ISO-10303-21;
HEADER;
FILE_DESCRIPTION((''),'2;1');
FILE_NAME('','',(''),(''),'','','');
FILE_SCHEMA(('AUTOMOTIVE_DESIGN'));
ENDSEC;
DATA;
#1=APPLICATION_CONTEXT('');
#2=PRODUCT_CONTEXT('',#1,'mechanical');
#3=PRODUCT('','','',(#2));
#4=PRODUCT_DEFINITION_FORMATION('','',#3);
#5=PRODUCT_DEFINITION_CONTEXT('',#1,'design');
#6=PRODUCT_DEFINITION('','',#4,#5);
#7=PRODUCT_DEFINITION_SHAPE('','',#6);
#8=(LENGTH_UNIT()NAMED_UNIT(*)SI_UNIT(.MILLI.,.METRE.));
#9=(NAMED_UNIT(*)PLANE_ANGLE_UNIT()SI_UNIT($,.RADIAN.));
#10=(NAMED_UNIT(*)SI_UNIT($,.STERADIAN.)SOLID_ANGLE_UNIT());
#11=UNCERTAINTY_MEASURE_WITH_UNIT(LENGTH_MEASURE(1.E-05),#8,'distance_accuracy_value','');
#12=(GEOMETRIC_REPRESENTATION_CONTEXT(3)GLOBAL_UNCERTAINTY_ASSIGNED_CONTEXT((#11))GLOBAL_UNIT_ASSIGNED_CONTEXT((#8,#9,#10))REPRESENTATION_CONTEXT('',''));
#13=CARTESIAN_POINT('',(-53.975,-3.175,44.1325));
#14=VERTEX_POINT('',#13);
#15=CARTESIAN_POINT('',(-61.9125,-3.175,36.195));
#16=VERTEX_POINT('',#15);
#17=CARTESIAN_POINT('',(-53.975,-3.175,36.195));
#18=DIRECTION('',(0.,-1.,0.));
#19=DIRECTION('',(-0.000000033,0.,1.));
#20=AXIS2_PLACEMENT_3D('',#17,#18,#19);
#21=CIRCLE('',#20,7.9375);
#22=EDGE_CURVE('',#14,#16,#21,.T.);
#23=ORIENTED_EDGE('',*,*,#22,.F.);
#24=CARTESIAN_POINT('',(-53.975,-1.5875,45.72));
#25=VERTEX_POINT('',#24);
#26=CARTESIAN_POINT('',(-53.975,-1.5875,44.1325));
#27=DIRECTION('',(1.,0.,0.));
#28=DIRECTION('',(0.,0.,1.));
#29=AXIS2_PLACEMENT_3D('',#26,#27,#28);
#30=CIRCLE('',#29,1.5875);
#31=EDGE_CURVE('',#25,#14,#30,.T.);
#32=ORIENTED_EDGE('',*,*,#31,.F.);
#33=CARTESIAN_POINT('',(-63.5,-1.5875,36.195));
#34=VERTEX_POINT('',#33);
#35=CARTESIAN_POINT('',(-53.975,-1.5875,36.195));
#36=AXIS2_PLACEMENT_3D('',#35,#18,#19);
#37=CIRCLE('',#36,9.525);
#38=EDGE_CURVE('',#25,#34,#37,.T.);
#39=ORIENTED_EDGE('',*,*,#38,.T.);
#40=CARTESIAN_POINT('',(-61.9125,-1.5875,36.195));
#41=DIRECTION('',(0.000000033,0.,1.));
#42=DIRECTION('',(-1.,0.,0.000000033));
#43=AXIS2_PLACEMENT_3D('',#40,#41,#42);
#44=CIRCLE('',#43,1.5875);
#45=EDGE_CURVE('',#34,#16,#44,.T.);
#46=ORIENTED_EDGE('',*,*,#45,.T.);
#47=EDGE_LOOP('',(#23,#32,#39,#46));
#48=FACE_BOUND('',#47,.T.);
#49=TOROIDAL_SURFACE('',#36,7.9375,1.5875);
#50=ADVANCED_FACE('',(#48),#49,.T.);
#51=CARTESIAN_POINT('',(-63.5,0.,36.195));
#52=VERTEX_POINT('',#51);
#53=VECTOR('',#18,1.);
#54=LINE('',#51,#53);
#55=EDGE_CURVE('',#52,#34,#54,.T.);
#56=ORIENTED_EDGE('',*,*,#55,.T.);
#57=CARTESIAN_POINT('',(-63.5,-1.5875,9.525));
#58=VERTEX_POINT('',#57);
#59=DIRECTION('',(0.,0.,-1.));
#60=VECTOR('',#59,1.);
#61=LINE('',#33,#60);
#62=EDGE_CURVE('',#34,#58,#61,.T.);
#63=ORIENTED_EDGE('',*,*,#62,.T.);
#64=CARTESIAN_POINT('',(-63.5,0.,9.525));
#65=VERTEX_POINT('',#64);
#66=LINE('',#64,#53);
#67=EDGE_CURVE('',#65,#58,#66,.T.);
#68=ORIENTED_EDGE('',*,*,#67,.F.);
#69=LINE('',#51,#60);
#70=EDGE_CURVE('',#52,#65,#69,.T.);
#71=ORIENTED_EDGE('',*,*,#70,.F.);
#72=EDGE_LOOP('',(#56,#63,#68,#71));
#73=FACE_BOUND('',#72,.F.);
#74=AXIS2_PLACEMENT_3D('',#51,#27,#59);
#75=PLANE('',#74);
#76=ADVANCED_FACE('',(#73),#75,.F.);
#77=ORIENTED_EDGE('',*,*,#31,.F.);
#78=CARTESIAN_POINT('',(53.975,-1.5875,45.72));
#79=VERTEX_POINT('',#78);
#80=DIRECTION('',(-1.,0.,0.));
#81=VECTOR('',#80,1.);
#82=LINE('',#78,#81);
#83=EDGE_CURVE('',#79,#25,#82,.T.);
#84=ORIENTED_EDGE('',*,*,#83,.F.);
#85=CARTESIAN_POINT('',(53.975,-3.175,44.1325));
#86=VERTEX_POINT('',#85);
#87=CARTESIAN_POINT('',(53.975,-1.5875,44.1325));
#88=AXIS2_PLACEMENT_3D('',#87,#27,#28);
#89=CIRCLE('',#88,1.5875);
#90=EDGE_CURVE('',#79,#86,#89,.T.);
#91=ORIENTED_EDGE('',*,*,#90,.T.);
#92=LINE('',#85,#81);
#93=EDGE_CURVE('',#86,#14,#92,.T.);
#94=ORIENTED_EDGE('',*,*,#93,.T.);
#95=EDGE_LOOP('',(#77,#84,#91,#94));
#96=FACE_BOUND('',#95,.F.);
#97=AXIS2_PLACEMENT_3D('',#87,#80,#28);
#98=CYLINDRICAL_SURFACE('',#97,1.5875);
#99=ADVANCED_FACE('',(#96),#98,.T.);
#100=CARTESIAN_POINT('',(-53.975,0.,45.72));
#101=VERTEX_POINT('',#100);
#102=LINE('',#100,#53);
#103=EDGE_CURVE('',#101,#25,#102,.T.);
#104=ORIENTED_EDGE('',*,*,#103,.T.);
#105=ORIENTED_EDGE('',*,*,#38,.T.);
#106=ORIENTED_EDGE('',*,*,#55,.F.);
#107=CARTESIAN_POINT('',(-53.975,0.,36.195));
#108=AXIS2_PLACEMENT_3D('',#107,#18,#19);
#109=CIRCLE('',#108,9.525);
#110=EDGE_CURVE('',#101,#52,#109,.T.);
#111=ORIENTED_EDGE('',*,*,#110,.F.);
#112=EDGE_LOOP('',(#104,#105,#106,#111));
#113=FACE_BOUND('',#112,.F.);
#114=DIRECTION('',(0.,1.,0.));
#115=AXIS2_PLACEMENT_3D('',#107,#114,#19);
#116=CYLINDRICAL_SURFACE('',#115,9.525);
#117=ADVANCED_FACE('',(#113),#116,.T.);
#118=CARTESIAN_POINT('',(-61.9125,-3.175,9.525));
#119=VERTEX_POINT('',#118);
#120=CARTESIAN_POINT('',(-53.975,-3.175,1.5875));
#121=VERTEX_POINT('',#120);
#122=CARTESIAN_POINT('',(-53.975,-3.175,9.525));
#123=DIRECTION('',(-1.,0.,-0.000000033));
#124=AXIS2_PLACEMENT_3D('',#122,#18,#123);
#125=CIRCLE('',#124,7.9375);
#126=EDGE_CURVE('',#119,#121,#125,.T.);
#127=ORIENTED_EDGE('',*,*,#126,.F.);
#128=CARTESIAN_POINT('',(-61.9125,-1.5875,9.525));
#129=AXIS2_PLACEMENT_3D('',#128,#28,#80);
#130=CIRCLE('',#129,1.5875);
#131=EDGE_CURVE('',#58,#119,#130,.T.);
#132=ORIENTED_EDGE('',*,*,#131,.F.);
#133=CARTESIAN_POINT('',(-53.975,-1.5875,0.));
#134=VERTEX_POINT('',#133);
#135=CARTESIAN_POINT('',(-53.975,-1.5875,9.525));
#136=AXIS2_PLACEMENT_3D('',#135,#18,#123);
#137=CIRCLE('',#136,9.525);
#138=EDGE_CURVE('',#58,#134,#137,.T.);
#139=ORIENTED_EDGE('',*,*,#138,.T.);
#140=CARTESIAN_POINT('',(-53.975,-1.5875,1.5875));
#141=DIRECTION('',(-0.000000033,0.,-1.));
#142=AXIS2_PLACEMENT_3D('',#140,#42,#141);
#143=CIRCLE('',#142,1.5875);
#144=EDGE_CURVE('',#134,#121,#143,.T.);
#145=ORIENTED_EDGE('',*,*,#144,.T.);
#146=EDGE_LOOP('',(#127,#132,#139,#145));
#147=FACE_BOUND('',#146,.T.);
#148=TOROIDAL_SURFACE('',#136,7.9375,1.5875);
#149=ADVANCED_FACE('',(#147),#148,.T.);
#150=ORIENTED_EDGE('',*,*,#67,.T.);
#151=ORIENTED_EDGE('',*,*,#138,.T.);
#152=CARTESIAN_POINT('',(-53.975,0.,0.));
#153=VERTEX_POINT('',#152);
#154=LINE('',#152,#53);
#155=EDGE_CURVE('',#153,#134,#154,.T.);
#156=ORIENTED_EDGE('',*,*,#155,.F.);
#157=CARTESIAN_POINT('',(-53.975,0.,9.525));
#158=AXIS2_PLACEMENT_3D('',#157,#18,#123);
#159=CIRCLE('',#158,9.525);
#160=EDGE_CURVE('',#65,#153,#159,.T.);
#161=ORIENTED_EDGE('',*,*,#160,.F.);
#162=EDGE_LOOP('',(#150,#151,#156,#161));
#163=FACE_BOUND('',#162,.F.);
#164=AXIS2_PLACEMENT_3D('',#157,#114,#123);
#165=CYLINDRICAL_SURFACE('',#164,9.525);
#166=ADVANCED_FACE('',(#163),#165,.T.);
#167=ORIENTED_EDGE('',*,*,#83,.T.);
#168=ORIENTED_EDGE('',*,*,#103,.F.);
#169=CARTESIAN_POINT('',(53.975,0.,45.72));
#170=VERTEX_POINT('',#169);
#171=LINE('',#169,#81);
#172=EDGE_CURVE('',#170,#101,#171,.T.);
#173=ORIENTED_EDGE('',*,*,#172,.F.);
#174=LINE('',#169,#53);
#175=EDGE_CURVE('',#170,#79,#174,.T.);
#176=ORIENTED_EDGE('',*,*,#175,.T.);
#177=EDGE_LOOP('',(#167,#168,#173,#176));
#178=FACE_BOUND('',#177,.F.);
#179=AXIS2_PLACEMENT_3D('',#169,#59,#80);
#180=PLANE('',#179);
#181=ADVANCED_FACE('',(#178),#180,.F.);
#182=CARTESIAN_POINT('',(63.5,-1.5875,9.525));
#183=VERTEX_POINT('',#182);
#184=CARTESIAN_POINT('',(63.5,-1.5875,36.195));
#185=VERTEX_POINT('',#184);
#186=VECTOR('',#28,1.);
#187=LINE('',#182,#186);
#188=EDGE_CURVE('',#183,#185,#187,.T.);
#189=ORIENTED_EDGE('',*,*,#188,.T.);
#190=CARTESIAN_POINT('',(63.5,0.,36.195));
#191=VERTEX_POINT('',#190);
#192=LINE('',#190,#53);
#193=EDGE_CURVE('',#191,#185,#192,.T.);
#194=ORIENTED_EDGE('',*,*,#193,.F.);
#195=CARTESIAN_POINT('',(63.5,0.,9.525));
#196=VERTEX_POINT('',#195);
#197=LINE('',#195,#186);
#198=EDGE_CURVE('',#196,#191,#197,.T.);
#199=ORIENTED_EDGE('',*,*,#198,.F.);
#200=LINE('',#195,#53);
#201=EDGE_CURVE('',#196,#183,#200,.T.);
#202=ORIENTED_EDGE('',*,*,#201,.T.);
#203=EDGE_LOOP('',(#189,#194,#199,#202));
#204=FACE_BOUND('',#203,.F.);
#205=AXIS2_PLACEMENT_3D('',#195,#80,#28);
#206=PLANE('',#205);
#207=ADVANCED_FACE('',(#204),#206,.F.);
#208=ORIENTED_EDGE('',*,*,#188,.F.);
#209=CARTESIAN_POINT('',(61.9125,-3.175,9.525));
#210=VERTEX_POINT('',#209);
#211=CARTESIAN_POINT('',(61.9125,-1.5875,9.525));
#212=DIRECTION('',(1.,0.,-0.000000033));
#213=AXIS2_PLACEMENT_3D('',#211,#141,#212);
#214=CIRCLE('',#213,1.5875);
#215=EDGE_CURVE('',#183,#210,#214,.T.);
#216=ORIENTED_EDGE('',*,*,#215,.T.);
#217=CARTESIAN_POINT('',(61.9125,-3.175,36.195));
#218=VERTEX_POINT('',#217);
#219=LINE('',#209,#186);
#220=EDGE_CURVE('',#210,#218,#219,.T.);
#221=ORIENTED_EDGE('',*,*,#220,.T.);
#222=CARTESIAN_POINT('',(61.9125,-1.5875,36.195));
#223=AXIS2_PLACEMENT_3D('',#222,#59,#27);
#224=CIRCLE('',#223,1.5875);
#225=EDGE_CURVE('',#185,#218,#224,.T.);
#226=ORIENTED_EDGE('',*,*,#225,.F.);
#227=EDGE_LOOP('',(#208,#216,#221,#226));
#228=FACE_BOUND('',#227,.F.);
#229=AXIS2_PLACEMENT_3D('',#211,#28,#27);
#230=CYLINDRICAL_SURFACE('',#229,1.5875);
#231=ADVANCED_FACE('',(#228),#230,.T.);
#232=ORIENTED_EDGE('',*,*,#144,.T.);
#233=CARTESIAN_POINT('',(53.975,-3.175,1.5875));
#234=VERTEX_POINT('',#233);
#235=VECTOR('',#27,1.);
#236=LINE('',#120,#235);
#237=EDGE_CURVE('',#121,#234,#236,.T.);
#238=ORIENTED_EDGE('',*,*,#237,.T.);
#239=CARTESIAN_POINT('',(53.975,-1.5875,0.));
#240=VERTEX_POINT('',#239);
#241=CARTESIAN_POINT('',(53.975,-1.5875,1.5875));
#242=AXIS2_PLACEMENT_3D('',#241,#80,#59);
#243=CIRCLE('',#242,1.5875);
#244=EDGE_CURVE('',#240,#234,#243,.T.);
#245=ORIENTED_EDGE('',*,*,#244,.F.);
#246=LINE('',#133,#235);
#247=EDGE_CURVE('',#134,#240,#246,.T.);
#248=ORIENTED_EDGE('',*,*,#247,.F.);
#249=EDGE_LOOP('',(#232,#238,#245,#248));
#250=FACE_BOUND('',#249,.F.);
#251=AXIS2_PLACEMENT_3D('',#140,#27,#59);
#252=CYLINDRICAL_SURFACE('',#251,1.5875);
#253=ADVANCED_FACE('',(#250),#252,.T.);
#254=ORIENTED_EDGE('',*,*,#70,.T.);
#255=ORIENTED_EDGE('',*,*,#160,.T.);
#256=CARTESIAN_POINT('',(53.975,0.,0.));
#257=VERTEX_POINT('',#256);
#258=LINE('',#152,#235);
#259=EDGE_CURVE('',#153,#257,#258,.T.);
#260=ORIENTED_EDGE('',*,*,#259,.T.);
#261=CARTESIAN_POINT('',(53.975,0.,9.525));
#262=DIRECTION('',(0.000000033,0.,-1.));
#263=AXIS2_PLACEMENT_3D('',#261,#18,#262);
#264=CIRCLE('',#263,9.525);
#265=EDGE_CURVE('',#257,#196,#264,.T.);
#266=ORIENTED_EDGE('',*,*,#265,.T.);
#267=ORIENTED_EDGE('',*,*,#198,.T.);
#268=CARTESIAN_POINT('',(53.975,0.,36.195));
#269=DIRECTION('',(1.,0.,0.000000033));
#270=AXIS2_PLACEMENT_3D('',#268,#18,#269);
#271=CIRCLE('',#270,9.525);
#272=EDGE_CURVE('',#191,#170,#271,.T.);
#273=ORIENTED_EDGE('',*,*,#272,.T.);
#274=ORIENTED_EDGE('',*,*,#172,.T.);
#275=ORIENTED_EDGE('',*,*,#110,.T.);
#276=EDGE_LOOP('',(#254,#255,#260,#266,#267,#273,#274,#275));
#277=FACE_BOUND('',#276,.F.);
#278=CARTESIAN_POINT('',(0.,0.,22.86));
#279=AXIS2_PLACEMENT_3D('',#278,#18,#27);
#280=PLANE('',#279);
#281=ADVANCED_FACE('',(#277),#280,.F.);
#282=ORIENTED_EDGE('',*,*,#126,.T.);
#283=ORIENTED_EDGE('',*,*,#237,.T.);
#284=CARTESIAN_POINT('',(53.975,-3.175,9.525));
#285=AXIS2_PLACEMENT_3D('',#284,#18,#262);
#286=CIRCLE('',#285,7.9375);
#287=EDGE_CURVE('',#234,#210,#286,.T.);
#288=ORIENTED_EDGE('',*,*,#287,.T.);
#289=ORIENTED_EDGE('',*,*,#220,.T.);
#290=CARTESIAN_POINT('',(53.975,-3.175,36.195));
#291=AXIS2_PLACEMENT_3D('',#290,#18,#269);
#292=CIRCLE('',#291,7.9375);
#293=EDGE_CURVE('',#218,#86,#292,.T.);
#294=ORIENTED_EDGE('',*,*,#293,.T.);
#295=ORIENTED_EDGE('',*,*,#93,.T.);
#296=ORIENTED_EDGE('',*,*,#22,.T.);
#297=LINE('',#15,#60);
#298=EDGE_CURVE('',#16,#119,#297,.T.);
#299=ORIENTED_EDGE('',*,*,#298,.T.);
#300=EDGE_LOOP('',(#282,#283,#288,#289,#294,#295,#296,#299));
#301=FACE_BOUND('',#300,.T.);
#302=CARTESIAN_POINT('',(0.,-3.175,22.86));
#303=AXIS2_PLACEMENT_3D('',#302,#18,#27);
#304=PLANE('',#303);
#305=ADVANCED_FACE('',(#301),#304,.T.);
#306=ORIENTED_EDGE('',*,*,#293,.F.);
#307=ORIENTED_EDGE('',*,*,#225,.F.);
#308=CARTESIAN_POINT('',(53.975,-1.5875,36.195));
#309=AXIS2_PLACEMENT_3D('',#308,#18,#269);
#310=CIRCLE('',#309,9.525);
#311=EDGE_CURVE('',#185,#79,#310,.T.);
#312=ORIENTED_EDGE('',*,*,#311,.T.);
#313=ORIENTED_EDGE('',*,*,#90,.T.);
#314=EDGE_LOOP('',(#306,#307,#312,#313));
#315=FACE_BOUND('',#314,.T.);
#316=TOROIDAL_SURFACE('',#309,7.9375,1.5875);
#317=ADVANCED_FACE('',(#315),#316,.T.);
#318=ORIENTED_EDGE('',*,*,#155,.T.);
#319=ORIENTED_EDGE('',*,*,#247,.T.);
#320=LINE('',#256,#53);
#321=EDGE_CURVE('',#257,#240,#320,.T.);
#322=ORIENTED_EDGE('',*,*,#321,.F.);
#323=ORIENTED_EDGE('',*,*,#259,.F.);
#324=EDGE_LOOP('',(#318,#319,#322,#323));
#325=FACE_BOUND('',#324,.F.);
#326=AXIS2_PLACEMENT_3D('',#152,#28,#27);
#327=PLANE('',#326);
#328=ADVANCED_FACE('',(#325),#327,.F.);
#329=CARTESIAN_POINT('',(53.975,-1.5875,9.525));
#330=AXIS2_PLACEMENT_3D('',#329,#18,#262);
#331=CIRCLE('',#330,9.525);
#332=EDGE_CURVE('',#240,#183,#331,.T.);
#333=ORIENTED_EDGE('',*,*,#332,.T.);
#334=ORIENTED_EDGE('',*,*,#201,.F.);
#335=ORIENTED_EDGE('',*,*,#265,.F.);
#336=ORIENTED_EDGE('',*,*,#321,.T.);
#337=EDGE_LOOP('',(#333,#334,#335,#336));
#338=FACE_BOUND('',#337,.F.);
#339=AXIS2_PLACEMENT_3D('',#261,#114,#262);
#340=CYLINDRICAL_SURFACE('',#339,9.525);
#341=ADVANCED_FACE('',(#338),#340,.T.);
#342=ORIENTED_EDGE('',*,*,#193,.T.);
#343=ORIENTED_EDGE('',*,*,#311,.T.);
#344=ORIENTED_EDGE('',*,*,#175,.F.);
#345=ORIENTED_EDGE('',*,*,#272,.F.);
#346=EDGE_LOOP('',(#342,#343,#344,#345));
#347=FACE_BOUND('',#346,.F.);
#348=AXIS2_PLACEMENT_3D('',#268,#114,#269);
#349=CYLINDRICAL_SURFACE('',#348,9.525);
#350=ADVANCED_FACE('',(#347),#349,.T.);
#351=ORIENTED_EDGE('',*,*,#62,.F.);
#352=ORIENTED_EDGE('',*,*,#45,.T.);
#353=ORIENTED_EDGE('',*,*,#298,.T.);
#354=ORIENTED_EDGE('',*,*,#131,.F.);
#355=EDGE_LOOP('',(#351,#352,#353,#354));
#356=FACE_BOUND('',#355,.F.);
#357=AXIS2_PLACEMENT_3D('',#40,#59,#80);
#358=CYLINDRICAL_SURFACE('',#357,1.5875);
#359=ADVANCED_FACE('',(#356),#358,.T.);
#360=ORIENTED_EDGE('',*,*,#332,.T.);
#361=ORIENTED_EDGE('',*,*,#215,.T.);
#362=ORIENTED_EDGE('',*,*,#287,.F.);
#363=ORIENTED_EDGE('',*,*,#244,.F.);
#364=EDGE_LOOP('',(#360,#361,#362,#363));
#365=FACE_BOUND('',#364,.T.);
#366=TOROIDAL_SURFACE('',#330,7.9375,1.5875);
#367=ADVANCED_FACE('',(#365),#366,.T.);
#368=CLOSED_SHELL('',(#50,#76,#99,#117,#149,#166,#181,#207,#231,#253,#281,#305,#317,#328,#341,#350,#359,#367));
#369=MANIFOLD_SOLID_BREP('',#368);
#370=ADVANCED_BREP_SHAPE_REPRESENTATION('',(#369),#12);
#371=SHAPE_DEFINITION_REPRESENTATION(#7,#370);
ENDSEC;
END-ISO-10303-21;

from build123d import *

# Parameters (mm, degrees)
F1_DEPTH = 3.175
F3_R     = 1.5875


with BuildPart() as f1:
    # F0 (on Front) → F1 (new body)
    with BuildSketch(Plane.XZ):
        with BuildLine():
            Line((53.975, 45.72), (-53.975, 45.72))
            ThreePointArc((-53.975, 45.72), (-60.710192, 42.930192), (-63.5, 36.195))
            Line((-63.5, 36.195), (-63.5, 9.525))
            ThreePointArc((-63.5, 9.525), (-60.710192, 2.789808), (-53.975, 0))
            Line((-53.975, 0), (53.975, 0))
            ThreePointArc((53.975, 0), (60.710192, 2.789808), (63.5, 9.525))
            Line((63.5, 9.525), (63.5, 36.195))
            ThreePointArc((63.5, 36.195), (60.710192, 42.930192), (53.975, 45.72))
        make_face()
    extrude(amount=F1_DEPTH)

    # F3
    f3_edges = [f1.edges().sort_by_distance(p)[0] for p in [
        (0, -3.175, 45.72),
        (-60.710192, -3.175, 42.930192),
        (-63.5, -3.175, 22.86),
        (-60.710192, -3.175, 2.789808),
        (0, -3.175, 0),
        (60.710192, -3.175, 2.789808),
        (63.5, -3.175, 22.86),
        (60.710192, -3.175, 42.930192),
    ]]
    fillet(f3_edges, radius=F3_R)


solid = f1.part
